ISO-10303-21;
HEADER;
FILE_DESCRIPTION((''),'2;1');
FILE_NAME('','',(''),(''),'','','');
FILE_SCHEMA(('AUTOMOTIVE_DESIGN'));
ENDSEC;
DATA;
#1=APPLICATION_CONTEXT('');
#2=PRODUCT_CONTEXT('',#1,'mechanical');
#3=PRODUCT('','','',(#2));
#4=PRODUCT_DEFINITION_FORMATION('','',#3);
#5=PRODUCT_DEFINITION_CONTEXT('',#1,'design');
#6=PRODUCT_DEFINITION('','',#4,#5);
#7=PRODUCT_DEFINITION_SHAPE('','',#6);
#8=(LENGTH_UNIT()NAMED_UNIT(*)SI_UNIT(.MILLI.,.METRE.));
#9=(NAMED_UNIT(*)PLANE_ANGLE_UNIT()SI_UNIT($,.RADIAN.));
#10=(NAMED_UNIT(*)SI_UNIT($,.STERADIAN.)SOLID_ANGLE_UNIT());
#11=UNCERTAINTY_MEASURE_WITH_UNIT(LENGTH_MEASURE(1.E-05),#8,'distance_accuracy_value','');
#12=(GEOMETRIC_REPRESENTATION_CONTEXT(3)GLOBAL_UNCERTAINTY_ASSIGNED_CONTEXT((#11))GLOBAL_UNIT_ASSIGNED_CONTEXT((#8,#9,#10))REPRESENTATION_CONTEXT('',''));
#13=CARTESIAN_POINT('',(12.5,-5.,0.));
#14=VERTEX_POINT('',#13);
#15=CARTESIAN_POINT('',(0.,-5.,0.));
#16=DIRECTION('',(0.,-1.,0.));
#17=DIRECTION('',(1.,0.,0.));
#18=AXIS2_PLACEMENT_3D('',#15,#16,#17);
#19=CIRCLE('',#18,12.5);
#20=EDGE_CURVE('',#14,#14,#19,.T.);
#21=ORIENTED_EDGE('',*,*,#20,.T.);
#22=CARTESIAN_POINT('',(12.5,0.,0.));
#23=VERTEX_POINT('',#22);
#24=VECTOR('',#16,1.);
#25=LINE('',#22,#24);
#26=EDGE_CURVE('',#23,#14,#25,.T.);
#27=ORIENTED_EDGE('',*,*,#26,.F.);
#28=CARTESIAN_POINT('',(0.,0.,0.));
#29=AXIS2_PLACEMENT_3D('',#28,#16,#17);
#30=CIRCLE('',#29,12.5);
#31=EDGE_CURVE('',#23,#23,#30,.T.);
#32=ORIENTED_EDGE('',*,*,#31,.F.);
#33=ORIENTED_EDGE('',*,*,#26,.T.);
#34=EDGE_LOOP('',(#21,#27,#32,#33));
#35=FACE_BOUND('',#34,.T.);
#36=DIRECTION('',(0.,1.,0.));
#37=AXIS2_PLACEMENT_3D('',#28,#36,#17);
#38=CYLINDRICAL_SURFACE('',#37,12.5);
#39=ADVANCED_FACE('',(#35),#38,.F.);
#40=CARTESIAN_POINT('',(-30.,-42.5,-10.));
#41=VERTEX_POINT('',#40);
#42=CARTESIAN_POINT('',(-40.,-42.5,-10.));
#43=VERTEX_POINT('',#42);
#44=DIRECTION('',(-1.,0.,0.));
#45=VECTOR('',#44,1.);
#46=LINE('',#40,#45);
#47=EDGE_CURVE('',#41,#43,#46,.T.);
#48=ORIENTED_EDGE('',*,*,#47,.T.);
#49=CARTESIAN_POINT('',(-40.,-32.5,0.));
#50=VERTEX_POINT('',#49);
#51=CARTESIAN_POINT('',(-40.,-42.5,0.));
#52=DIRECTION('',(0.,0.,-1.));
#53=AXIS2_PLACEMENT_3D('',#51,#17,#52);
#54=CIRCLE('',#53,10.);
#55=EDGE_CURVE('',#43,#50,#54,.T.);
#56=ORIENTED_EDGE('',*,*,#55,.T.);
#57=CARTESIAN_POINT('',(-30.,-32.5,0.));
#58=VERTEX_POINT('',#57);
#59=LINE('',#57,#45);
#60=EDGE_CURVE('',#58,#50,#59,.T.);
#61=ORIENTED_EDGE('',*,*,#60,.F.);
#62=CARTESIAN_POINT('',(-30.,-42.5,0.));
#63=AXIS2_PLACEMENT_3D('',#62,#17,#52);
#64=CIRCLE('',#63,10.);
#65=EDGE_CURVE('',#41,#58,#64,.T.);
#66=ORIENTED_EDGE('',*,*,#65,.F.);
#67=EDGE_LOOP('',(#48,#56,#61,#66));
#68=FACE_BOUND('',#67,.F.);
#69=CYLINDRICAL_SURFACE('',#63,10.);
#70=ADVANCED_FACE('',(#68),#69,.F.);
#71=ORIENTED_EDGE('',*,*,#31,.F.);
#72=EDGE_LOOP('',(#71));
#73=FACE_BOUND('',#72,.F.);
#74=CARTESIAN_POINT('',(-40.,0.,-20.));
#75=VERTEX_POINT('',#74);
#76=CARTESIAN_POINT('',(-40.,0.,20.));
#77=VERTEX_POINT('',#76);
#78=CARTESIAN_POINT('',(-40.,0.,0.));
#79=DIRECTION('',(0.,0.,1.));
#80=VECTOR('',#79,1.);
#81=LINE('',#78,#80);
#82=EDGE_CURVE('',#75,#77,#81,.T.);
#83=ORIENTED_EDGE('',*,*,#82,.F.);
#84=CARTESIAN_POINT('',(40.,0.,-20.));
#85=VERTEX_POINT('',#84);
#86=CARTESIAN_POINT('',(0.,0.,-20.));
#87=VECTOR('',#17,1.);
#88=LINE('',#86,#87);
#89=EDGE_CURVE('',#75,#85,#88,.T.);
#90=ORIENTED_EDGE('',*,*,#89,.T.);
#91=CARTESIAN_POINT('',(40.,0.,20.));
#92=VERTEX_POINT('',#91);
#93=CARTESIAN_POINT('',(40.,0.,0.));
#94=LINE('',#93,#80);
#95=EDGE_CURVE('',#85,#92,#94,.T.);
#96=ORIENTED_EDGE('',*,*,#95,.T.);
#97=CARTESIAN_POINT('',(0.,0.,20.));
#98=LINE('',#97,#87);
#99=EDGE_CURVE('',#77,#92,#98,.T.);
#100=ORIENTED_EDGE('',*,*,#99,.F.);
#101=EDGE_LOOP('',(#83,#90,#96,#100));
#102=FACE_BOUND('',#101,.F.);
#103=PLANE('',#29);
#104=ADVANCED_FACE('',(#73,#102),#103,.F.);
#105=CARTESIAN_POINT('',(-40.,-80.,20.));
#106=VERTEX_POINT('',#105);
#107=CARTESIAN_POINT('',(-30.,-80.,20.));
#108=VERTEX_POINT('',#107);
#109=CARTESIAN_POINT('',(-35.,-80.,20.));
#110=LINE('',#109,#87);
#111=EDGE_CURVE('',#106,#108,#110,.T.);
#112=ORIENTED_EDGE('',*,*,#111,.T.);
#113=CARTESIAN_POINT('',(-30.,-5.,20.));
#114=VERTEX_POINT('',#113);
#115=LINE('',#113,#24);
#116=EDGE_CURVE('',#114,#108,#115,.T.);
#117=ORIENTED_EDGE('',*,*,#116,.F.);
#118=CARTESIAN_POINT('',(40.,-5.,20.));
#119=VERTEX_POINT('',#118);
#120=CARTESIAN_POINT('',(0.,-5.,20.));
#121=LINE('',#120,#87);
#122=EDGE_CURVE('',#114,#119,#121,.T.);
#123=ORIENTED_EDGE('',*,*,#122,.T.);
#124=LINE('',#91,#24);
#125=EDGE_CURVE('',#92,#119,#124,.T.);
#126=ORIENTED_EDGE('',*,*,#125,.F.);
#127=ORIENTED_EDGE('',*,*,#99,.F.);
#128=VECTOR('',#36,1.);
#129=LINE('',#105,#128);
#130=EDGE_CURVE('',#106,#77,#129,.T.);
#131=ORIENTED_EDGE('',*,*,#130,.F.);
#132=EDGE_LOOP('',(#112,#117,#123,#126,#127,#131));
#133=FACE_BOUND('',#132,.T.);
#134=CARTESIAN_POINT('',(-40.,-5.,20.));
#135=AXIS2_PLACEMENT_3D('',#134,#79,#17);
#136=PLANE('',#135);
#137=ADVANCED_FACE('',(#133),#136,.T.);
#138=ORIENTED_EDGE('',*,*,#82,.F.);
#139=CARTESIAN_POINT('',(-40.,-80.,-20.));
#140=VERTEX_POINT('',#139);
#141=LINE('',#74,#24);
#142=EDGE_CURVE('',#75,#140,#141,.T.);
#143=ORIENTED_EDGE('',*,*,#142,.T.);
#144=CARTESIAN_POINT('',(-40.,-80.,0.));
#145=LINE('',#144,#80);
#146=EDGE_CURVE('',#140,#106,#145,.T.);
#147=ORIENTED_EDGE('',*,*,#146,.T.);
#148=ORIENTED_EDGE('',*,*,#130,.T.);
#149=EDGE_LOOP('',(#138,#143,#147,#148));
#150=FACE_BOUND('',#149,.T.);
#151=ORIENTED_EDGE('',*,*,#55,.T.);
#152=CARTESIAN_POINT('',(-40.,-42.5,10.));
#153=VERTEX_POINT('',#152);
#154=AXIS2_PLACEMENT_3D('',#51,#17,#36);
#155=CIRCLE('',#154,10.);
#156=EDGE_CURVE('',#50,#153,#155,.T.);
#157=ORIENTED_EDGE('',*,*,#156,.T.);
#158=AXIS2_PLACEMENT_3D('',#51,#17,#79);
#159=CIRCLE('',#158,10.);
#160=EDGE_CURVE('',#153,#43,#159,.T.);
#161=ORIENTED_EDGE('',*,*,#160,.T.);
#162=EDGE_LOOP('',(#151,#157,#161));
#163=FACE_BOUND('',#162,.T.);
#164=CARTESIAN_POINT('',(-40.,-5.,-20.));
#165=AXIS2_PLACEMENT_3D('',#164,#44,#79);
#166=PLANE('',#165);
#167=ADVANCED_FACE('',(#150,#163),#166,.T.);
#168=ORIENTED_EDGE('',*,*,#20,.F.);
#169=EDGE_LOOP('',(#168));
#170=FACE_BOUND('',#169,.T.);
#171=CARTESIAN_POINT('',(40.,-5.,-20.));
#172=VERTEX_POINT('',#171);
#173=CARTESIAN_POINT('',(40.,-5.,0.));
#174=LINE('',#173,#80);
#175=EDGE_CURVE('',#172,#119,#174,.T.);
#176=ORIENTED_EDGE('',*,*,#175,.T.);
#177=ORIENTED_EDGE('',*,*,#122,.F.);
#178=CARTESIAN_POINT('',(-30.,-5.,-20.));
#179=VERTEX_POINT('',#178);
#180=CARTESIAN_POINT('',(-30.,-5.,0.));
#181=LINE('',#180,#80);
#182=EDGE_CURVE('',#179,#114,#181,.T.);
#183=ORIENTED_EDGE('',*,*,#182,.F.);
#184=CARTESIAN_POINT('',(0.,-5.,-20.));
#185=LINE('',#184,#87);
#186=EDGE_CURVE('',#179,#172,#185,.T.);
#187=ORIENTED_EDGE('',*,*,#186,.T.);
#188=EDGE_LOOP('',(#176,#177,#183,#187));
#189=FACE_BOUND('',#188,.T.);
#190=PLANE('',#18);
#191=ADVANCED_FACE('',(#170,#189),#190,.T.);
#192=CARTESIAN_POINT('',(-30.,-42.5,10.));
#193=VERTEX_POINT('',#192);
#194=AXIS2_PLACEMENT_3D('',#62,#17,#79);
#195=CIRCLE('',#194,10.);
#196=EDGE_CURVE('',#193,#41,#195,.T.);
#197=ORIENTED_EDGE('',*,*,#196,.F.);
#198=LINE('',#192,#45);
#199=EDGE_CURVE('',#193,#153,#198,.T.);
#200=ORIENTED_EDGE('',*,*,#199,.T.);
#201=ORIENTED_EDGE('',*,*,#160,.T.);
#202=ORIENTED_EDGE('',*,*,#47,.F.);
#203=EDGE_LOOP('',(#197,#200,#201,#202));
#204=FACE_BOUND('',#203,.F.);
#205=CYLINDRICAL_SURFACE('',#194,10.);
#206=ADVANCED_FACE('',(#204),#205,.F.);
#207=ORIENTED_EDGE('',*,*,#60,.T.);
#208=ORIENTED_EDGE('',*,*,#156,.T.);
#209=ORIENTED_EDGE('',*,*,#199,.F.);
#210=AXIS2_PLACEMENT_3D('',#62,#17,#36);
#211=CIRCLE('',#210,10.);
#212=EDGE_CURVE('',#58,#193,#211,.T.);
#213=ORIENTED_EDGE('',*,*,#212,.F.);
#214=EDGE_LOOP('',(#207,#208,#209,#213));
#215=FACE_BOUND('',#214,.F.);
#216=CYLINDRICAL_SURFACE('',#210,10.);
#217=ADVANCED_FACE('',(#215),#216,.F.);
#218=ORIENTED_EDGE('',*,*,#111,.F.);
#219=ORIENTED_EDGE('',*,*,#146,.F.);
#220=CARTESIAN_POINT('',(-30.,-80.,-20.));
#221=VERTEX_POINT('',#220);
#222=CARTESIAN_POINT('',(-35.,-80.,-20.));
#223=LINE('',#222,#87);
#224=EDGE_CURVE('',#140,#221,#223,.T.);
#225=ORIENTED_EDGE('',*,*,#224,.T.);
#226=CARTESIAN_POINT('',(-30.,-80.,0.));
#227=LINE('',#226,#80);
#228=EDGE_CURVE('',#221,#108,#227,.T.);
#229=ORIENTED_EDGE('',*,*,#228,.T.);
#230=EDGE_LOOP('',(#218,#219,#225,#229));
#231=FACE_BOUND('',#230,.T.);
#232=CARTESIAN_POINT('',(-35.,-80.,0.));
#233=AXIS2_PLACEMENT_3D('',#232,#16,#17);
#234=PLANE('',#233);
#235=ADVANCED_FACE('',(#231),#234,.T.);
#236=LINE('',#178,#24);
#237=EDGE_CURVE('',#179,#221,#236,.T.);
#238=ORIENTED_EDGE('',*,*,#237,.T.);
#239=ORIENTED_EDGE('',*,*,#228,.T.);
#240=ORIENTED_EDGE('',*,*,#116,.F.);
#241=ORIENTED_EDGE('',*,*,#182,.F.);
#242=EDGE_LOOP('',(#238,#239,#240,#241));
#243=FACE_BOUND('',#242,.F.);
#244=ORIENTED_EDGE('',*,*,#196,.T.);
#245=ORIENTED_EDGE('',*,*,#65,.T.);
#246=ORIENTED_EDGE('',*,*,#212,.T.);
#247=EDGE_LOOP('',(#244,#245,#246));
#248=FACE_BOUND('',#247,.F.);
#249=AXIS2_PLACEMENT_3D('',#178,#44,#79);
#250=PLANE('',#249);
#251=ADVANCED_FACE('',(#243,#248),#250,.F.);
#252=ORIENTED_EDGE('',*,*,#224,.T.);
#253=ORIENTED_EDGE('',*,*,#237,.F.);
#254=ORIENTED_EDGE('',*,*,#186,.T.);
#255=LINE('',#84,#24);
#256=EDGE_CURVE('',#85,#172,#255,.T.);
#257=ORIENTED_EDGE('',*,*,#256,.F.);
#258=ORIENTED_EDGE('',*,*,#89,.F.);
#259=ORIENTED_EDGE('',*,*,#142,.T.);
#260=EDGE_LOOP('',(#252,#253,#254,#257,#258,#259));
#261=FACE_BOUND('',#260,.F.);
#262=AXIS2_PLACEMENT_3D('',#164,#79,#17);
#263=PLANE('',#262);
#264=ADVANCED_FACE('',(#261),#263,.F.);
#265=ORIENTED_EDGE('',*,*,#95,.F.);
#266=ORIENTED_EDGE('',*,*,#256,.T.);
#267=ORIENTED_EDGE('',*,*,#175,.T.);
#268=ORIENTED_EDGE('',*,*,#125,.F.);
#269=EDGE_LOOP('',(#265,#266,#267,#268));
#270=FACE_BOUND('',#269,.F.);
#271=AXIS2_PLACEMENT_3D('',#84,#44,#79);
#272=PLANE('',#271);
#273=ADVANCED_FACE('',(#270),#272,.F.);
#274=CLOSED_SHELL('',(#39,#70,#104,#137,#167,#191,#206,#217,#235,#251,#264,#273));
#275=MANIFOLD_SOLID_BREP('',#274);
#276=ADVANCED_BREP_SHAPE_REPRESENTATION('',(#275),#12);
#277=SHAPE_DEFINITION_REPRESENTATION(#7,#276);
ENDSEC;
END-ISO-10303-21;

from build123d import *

# Parameters (mm, degrees)
F0_W     = 80
F0_H     = 40
F0_R     = 12.5
F1_DEPTH = 5
F2_W     = 10
F2_H     = 40
F3_DEPTH = 75
F5_DEPTH = 10.001


with BuildPart() as f1:
    # F0 (on Front) → F1 (new body)
    with BuildSketch(Plane.XZ):
        Rectangle(F0_W, F0_H)
        Circle(F0_R, mode=Mode.SUBTRACT)
    extrude(amount=F1_DEPTH)

    # F2 (on face) → F3 (join)
    with BuildSketch(Plane.XZ.offset(5)):
        with Locations((-35, 0)):
            Rectangle(F2_W, F2_H)
    extrude(amount=F3_DEPTH)

    # F4 (on face) → F5 (cut, through all)
    with BuildSketch(Plane.YZ.offset(-30)):
        with BuildLine():
            ThreePointArc((-32.5, 0), (-35.4289321881, 7.0710678119), (-42.5, 10))
            Line((-42.5, 10), (-42.5, -10))
            ThreePointArc((-42.5, -10), (-35.4289321881, -7.0710678119), (-32.5, 0))
        make_face()
        with BuildLine():
            Line((-42.5, -10), (-42.5, 10))
            ThreePointArc((-42.5, 10), (-52.5, 0), (-42.5, -10))
        make_face()
    extrude(amount=-F5_DEPTH, mode=Mode.SUBTRACT)


solid = f1.part
